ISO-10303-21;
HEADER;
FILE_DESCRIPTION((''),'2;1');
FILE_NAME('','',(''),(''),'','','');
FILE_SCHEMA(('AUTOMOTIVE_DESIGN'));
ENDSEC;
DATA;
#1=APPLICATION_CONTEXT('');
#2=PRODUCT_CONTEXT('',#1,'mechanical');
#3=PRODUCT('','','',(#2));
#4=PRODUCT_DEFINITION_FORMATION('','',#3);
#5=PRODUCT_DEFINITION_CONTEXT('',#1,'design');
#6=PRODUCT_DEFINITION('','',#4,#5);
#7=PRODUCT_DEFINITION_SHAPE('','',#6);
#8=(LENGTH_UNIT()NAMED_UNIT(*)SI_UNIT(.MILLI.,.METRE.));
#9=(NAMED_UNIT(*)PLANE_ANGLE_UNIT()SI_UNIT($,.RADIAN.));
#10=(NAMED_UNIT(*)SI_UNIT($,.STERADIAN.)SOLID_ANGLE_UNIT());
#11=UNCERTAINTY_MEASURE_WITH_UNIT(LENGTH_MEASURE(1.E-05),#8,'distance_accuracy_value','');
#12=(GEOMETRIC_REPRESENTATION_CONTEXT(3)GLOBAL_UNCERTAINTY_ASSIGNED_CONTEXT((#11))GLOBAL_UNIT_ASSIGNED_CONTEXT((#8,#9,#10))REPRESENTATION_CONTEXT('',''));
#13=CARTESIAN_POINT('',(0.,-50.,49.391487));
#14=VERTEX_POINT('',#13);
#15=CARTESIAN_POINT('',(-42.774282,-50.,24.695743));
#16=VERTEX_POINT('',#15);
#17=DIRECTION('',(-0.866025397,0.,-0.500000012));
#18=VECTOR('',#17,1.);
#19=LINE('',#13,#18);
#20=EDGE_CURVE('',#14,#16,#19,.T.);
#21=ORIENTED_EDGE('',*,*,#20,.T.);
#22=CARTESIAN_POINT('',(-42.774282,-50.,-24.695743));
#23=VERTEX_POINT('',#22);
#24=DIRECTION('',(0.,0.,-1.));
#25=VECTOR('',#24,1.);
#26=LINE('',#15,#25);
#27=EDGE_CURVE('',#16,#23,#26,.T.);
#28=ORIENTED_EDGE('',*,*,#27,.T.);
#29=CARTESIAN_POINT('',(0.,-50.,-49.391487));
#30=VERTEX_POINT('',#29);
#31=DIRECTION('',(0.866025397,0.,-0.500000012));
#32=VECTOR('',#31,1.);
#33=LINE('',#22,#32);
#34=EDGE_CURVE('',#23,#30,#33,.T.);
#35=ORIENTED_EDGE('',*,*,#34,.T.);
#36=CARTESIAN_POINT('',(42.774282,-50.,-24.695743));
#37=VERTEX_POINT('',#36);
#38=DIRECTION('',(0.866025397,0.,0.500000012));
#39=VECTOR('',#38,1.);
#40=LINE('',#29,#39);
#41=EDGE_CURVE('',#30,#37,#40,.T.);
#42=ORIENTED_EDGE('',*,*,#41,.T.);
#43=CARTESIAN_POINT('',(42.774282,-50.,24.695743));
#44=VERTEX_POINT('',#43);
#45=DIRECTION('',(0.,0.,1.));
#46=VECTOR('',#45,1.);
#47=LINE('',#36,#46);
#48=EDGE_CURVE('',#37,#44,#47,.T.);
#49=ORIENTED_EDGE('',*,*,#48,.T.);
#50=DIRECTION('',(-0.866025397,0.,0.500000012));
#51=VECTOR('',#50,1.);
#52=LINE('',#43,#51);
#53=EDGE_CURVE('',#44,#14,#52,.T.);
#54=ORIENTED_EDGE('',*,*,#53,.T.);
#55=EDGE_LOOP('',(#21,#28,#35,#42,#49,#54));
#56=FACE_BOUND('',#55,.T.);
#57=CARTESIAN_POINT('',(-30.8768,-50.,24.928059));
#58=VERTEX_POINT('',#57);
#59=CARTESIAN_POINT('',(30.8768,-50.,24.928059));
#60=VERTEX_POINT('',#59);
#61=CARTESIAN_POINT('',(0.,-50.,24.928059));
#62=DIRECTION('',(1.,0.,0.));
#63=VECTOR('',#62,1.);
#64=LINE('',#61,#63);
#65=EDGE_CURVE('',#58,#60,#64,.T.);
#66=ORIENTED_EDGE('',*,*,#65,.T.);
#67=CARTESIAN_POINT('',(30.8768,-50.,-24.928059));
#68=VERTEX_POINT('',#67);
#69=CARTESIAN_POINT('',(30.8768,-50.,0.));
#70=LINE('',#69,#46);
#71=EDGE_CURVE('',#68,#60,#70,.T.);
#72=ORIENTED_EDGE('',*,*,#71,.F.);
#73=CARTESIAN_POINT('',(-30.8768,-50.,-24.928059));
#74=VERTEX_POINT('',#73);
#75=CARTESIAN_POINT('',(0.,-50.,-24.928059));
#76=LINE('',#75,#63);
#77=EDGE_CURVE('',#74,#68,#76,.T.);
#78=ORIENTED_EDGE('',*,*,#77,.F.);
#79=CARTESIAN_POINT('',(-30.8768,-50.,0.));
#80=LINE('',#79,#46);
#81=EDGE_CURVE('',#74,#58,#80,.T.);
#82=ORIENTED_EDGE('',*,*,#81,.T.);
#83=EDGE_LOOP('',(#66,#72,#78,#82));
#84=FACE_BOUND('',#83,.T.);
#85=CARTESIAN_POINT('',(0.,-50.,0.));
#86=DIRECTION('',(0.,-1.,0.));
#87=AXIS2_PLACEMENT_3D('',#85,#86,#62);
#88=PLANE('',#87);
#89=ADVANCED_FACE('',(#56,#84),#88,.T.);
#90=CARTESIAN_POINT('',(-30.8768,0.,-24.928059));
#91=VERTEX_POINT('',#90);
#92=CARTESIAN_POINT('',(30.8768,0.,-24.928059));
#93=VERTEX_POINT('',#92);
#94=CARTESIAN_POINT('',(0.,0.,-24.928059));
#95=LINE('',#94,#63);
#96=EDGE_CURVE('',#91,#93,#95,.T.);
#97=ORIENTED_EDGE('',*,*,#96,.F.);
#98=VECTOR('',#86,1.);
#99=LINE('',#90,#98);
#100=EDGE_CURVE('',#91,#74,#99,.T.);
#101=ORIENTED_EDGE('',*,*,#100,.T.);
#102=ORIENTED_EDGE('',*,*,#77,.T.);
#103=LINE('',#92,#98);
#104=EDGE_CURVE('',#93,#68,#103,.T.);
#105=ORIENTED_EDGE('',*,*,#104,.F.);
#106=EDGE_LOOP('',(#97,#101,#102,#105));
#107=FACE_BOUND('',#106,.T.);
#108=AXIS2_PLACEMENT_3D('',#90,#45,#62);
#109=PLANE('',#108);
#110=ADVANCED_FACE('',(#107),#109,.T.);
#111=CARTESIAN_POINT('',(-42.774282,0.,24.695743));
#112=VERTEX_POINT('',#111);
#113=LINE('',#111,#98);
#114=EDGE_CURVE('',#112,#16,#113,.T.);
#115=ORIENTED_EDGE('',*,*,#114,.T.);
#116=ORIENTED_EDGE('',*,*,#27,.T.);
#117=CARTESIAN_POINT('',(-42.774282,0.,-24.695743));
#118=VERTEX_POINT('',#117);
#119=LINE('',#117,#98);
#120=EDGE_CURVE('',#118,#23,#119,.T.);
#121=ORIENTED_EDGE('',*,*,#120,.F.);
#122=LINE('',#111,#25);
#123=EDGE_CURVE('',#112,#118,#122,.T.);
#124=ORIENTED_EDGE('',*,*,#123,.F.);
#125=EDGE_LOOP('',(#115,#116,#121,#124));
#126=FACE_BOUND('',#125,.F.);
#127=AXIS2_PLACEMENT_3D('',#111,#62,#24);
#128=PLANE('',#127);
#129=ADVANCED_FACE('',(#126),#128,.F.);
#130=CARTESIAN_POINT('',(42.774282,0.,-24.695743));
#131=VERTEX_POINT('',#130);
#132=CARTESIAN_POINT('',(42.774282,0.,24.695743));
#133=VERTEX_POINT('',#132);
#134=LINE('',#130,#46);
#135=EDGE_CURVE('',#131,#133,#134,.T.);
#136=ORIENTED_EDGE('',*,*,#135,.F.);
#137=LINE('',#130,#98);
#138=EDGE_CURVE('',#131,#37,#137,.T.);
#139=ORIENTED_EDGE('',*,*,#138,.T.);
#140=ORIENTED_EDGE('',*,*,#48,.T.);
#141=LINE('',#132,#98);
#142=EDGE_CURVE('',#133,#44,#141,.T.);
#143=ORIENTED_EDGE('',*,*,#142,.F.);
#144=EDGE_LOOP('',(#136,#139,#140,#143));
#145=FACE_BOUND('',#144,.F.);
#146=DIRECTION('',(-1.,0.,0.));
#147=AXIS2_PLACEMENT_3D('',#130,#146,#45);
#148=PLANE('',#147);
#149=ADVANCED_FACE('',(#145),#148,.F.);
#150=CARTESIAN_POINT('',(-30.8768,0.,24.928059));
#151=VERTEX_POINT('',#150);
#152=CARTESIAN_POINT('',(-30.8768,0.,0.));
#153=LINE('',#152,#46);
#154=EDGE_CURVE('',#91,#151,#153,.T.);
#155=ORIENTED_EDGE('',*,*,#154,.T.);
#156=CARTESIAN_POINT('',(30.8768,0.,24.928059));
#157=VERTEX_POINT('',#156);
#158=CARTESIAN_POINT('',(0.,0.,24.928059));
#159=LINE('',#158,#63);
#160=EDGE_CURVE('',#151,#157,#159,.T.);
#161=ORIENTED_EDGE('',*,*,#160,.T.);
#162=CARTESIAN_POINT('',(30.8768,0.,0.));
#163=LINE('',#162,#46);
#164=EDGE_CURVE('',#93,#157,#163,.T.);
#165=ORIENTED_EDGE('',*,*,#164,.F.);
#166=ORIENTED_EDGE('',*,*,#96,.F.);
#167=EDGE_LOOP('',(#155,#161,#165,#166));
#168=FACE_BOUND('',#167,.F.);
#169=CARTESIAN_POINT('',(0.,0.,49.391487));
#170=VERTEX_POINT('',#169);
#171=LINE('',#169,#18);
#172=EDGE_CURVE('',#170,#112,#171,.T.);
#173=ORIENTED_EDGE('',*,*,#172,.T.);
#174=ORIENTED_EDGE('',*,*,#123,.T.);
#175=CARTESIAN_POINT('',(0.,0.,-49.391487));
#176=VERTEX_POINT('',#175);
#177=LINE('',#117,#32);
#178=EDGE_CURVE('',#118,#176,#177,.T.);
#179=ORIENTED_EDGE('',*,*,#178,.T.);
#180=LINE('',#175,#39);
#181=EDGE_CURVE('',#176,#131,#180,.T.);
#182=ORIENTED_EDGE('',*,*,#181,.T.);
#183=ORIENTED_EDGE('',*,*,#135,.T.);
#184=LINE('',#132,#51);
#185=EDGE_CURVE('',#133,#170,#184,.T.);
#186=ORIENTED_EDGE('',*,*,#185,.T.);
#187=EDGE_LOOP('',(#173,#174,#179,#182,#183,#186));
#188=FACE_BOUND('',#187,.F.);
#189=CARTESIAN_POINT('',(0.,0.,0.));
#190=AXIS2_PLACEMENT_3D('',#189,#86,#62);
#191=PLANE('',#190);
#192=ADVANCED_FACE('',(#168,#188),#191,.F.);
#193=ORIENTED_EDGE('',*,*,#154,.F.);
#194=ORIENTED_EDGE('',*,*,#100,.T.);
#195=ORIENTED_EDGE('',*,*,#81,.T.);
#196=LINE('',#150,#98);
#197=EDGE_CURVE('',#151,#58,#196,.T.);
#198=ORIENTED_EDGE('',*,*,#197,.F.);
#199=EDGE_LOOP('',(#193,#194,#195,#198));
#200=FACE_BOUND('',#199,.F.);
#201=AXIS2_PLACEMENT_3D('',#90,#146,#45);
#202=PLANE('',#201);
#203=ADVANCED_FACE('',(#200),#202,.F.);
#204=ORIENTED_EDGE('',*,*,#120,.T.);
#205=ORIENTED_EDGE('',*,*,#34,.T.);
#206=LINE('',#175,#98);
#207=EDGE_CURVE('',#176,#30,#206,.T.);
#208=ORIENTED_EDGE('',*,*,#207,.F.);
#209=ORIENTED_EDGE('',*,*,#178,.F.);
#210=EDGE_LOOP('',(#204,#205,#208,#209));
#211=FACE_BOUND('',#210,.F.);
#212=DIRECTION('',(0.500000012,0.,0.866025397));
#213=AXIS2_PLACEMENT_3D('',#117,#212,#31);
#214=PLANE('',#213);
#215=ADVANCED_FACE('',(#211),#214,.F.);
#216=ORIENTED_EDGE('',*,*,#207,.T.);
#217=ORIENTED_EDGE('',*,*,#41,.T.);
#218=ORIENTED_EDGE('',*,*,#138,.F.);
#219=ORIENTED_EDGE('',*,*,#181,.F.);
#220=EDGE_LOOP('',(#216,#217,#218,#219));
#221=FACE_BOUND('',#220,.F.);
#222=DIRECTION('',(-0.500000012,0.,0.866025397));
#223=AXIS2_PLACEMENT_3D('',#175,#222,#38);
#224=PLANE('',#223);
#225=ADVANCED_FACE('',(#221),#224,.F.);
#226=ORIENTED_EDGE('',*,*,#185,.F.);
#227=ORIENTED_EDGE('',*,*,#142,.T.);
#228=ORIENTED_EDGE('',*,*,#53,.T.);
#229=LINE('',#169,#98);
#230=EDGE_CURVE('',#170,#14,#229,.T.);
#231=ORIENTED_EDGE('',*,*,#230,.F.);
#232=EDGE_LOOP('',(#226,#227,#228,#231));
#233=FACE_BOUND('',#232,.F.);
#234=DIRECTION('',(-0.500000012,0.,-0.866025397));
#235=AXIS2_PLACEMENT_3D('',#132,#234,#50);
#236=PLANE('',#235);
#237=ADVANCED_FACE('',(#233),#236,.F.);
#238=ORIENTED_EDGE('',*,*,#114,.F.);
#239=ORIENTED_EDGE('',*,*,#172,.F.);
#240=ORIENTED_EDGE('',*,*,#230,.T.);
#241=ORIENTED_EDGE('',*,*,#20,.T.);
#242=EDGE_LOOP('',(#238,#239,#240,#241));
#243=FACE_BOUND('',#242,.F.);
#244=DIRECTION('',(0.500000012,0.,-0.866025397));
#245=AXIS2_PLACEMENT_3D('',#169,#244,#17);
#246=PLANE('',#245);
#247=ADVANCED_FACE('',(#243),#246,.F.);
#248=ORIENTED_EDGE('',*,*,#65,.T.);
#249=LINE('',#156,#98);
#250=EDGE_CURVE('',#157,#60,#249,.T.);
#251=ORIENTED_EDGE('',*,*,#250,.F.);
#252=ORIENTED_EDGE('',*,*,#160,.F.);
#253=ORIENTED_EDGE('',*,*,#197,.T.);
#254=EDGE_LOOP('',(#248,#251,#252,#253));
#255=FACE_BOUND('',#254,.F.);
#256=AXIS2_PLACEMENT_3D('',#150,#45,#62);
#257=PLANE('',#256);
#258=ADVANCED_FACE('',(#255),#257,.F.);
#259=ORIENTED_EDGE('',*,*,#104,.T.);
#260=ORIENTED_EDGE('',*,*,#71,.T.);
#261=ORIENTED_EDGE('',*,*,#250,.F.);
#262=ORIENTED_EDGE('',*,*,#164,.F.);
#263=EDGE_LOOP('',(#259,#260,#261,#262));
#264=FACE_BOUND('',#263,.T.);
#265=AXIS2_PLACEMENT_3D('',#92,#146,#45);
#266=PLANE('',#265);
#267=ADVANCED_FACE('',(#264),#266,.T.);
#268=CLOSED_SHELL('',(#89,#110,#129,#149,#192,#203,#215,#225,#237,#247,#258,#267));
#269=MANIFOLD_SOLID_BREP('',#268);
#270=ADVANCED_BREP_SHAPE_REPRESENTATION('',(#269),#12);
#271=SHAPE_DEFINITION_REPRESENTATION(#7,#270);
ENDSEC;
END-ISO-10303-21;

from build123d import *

# Parameters (mm, degrees)
F0_W     = 61.7536
F0_H     = 49.856118
F1_DEPTH = 50


with BuildPart() as f1:
    # F0 (on Front) → F1 (new body)
    with BuildSketch(Plane.XZ):
        Polygon((-42.774282, 24.695743), (-42.774282, -24.695743), (0, -49.391487), (42.774282, -24.695743), (42.774282, 24.695743), (0, 49.391487), align=None)
        Rectangle(F0_W, F0_H, mode=Mode.SUBTRACT)
    extrude(amount=F1_DEPTH)


solid = f1.part
